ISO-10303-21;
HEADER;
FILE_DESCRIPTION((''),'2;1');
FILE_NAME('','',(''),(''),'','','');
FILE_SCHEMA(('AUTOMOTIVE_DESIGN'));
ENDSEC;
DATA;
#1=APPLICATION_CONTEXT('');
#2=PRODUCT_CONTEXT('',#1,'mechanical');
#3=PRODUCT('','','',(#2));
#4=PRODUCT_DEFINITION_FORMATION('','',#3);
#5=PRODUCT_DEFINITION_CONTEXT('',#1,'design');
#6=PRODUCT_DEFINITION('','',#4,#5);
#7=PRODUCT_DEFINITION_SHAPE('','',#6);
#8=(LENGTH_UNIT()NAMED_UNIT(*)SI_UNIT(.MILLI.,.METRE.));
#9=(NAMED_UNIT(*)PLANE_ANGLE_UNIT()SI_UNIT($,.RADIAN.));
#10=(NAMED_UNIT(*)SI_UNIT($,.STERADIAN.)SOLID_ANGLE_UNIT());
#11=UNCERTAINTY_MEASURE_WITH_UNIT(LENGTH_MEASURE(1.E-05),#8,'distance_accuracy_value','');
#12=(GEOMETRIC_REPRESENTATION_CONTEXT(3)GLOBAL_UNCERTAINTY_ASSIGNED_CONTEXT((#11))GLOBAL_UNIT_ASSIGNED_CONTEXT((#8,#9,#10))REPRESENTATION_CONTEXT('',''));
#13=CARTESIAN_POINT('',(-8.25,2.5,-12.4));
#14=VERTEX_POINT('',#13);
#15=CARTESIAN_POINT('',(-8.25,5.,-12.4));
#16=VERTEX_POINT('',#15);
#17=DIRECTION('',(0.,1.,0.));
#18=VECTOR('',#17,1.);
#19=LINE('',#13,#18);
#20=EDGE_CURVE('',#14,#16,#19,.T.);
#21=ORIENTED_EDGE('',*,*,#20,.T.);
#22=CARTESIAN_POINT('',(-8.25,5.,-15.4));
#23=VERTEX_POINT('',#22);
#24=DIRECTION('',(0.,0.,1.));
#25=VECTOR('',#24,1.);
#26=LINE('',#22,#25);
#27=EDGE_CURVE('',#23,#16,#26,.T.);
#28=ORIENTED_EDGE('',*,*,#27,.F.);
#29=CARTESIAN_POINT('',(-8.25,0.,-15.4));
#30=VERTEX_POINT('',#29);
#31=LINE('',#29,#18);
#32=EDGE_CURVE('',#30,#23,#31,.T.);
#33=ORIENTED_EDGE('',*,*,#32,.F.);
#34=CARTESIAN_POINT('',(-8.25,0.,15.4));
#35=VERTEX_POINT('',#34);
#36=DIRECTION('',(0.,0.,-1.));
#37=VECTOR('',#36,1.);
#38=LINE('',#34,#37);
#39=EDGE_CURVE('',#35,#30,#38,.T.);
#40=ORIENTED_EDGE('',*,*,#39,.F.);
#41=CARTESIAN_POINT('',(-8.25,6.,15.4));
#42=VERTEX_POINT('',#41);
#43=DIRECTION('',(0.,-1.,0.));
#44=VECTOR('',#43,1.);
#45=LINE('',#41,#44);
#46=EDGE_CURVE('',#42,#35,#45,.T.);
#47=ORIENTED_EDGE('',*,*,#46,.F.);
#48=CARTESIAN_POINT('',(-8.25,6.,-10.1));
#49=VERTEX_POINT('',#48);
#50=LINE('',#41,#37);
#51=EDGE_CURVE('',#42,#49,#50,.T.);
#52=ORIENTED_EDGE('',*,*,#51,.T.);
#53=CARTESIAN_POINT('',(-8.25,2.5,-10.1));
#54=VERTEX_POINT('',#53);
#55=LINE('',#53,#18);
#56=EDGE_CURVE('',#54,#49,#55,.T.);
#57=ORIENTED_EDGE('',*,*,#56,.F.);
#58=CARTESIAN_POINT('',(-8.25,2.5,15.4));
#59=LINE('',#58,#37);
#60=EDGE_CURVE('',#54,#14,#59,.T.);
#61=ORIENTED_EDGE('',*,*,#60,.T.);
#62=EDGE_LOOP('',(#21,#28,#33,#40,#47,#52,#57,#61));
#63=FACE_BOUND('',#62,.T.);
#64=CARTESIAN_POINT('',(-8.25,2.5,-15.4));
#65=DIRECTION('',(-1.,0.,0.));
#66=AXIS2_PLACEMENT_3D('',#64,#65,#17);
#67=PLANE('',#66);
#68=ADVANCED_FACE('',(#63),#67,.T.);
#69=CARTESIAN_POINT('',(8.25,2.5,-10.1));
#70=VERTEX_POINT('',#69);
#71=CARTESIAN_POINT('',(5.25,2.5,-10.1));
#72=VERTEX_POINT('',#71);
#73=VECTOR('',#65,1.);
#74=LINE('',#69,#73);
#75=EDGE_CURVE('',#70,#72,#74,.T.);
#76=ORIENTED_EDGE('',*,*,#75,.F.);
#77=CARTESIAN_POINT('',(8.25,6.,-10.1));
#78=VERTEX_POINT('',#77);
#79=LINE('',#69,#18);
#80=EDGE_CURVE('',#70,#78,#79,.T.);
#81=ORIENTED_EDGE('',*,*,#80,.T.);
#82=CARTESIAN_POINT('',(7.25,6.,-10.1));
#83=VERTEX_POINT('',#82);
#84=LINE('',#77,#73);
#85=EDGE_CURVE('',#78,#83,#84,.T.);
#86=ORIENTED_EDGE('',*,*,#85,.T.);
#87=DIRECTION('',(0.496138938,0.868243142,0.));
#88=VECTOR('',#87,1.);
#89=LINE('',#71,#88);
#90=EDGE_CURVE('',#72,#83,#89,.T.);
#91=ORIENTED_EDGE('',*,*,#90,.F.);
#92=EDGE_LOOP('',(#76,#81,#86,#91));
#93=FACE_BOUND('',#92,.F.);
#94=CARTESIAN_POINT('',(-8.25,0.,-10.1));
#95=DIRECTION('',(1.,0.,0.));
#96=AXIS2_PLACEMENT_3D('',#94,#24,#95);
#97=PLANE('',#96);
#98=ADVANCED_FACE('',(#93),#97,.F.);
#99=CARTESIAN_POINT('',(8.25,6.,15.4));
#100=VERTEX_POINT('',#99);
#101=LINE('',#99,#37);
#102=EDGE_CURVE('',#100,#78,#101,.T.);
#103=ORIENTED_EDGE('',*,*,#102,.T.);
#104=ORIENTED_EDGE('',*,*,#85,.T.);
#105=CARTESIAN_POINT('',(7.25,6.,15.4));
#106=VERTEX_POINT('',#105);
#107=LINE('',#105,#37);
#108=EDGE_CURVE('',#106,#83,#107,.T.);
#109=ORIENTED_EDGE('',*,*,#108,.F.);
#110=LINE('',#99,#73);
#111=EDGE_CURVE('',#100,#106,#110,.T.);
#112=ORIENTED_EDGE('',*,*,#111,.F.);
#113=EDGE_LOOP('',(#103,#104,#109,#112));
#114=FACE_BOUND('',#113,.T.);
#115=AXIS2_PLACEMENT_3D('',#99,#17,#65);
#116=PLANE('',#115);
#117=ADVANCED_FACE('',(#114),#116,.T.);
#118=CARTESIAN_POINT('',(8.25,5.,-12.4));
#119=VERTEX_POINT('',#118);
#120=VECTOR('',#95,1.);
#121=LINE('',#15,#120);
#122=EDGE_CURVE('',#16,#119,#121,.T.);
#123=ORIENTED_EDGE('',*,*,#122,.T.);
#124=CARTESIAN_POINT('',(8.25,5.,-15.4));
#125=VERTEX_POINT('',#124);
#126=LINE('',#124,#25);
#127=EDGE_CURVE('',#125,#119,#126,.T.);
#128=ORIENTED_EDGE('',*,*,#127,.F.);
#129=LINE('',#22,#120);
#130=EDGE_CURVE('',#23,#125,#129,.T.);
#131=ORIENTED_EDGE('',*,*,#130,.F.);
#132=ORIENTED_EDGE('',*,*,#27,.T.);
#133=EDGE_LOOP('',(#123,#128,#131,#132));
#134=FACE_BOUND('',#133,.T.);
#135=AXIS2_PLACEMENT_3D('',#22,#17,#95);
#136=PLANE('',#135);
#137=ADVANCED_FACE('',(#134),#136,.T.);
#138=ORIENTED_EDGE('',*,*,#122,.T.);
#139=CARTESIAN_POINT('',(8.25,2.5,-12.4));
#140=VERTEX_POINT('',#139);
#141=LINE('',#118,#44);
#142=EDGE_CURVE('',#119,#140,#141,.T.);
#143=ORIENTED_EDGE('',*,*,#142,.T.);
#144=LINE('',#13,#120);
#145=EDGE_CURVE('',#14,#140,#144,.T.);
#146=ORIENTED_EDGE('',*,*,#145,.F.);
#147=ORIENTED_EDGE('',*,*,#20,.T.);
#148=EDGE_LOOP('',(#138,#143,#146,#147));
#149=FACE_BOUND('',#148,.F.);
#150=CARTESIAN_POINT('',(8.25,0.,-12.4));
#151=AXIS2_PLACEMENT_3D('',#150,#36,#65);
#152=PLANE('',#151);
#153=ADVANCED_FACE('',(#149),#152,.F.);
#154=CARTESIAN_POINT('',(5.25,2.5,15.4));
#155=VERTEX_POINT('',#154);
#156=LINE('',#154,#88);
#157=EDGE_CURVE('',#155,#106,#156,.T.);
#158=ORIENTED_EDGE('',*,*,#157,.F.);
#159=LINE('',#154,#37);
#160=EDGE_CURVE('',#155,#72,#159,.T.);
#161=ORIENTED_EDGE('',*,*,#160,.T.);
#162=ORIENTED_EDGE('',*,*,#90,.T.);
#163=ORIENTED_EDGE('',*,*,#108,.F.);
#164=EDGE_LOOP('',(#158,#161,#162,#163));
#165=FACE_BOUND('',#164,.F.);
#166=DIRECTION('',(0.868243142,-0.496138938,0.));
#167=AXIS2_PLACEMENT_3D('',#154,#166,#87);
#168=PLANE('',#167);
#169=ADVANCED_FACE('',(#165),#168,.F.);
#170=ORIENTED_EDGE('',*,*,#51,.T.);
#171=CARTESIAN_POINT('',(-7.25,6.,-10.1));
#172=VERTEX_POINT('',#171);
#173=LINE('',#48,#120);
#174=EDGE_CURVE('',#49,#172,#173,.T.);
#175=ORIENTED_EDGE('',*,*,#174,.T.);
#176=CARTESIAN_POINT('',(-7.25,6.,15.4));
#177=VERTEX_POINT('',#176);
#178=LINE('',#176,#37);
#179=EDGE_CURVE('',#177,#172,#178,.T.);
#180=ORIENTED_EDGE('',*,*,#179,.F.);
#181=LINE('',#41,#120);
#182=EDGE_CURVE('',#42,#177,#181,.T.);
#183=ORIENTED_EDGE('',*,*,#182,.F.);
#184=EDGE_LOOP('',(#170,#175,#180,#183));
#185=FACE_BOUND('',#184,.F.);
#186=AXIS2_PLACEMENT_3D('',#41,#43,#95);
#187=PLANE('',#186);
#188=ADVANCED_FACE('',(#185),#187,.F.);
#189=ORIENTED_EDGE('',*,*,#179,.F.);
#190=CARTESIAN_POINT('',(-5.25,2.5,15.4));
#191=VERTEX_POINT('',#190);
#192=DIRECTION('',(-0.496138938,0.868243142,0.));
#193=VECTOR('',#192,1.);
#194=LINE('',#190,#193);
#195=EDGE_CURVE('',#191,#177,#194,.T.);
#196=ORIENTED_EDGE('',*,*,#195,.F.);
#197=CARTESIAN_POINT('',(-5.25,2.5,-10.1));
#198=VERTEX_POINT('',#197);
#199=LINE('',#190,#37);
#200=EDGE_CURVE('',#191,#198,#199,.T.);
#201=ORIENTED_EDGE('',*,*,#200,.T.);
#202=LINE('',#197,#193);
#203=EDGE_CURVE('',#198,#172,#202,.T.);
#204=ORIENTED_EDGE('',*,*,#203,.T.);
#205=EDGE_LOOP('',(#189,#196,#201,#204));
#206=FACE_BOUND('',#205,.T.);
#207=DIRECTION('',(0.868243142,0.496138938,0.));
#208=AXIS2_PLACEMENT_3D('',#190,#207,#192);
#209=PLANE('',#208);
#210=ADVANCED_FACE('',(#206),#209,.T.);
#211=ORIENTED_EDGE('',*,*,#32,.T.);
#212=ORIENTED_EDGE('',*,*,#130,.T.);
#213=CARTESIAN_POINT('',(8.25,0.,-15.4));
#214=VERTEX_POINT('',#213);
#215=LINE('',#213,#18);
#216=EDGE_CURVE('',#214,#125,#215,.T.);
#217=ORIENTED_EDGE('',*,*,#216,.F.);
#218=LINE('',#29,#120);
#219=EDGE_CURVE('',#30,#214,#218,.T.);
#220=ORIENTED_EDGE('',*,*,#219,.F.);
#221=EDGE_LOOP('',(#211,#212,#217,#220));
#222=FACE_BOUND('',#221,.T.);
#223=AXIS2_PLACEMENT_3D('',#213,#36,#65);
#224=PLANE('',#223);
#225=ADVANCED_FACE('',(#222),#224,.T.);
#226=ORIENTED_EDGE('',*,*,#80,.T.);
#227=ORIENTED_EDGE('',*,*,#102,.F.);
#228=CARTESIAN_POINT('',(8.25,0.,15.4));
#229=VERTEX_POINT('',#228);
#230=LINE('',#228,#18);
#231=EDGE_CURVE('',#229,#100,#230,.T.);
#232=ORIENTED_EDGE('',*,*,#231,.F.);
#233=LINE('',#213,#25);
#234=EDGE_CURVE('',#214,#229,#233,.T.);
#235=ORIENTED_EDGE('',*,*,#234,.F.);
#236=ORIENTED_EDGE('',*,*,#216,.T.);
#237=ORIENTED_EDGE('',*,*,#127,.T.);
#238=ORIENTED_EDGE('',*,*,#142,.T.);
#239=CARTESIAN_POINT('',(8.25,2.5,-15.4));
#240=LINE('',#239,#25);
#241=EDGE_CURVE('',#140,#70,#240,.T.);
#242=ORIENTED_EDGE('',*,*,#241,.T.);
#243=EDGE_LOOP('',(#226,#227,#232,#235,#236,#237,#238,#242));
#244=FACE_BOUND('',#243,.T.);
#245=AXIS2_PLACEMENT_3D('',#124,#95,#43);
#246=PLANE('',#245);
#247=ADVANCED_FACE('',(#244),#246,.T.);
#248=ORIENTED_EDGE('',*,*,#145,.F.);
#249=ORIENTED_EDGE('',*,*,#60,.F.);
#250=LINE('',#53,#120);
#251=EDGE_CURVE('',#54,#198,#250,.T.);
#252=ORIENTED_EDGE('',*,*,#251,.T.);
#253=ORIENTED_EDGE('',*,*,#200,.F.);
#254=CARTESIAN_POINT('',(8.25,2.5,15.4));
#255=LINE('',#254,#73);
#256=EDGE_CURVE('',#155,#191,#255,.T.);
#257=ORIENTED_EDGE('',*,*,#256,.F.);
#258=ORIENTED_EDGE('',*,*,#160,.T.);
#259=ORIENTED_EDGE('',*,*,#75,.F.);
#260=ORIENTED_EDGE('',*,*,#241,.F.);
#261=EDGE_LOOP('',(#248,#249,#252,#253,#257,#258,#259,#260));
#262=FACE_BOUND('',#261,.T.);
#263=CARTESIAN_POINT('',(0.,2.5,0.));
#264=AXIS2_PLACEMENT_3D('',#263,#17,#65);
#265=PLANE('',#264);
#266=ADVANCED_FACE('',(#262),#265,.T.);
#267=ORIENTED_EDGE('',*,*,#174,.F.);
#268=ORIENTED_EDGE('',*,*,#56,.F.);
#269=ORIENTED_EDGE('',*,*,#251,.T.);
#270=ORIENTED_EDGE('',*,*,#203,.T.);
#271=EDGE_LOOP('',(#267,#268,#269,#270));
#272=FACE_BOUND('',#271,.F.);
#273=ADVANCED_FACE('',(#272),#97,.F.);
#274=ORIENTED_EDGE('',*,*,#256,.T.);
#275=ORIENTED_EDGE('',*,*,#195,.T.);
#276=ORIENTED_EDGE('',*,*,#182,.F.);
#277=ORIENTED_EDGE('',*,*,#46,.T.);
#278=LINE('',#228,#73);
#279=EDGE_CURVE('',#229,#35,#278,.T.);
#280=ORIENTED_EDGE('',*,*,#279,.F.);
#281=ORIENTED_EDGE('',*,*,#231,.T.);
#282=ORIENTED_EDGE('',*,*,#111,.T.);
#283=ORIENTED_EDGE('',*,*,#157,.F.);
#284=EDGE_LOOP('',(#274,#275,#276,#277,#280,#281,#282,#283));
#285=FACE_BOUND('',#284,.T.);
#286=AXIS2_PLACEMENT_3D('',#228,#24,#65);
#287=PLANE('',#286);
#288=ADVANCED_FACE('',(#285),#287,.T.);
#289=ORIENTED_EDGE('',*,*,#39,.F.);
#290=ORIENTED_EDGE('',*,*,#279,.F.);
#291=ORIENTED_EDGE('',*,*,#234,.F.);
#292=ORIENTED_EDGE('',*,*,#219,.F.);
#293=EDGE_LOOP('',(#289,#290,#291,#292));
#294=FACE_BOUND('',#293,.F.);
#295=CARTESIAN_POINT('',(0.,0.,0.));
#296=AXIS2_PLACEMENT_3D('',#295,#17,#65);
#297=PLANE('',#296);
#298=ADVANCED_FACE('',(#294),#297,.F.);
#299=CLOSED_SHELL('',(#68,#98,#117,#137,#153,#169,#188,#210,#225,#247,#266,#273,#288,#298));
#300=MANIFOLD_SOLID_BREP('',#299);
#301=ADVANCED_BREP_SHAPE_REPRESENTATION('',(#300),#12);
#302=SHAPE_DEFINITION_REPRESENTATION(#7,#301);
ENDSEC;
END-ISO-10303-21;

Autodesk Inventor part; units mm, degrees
ref_plane "YZ Plane" through (0, 0, 0) normal (1, 0, 0) x (0, 1, 0)
ref_plane "XZ Plane" through (0, 0, 0) normal (0, 1, 0) x (-1, 0, 0)
ref_plane "XY Plane" through (0, 0, 0) normal (0, 0, 1) x (1, 0, 0)
sketch "Эскиз1" plane through (0, 0, 0) normal (0, 1, 0) x (-1, 0, 0)
  line L0 (-8.25, 15.4) -> (8.25, 15.4)
  line L1 (8.25, 15.4) -> (8.25, -15.4)
  line L2 (8.25, -15.4) -> (-8.25, -15.4)
  line L3 (-8.25, -15.4) -> (-8.25, 15.4)
  line L4 (-8.25, 15.4) -> (8.25, -15.4) construction
  line L5 (8.25, 15.4) -> (-8.25, -15.4) construction
  point P0 (0, 0)
  dimension "d0" = 30.8
  dimension "d1" = 16.5
extrude "Выдавливание1" add sketch "Эскиз1" along normal blind 2.5
sketch "Эскиз2" plane through (-8.25, 0, 15.4) normal (0, 0, 1) x (1, 0, 0)
  line L0 (0, 0) -> (16.5, 0) construction
  line L1 (16.5, 0) -> (16.5, 2.5) construction
  line L2 (0, 2.5) -> (16.5, 2.5) construction
  line L3 (0, 0) -> (0, 2.5) construction
  line L4 (0, 2.5) -> (0, 6)
  line L5 (0, 6) -> (1, 6)
  line L6 (0, 2.5) -> (3, 2.5)
  line L7 (0, 2.5) -> (16.5, 2.5) construction
  line L8 (3, 2.5) -> (1, 6)
  line L9 (8.25, 0) -> (8.25, 2.5) construction
  line L10 (16.5, 2.5) -> (16.5, 6)
  line L11 (16.5, 6) -> (15.5, 6)
  line L12 (16.5, 2.5) -> (13.5, 2.5)
  line L13 (13.5, 2.5) -> (15.5, 6)
  dimension "d4" = 3.5
  dimension "d5" = 1
  dimension "d6" = 3
extrude "Выдавливание2" add sketch "Эскиз2" against normal blind 25.5
sketch "Эскиз3" plane through (8.25, 0, -15.4) normal (0, 0, -1) x (-1, 0, 0)
  line L0 (0, 0) -> (16.5, 0) construction
  line L1 (16.5, 0) -> (16.5, 2.5) construction
  line L2 (0, 2.5) -> (16.5, 2.5) projected
  line L3 (0, 0) -> (0, 2.5) construction
  line L4 (3, 2.5) -> (0, 2.5) projected
  line L5 (16.5, 0) -> (16.5, 6) construction
  line L6 (0, 2.5) -> (16.5, 2.5)
  line L7 (16.5, 2.5) -> (16.5, 5)
  line L8 (16.5, 5) -> (0, 5)
  line L9 (0, 5) -> (0, 2.5)
  point P0 (8.25, 0)
  dimension "d9" = 2.5
extrude "Выдавливание3" add sketch "Эскиз3" against normal blind 3
properties part number "kicker_cover001"
